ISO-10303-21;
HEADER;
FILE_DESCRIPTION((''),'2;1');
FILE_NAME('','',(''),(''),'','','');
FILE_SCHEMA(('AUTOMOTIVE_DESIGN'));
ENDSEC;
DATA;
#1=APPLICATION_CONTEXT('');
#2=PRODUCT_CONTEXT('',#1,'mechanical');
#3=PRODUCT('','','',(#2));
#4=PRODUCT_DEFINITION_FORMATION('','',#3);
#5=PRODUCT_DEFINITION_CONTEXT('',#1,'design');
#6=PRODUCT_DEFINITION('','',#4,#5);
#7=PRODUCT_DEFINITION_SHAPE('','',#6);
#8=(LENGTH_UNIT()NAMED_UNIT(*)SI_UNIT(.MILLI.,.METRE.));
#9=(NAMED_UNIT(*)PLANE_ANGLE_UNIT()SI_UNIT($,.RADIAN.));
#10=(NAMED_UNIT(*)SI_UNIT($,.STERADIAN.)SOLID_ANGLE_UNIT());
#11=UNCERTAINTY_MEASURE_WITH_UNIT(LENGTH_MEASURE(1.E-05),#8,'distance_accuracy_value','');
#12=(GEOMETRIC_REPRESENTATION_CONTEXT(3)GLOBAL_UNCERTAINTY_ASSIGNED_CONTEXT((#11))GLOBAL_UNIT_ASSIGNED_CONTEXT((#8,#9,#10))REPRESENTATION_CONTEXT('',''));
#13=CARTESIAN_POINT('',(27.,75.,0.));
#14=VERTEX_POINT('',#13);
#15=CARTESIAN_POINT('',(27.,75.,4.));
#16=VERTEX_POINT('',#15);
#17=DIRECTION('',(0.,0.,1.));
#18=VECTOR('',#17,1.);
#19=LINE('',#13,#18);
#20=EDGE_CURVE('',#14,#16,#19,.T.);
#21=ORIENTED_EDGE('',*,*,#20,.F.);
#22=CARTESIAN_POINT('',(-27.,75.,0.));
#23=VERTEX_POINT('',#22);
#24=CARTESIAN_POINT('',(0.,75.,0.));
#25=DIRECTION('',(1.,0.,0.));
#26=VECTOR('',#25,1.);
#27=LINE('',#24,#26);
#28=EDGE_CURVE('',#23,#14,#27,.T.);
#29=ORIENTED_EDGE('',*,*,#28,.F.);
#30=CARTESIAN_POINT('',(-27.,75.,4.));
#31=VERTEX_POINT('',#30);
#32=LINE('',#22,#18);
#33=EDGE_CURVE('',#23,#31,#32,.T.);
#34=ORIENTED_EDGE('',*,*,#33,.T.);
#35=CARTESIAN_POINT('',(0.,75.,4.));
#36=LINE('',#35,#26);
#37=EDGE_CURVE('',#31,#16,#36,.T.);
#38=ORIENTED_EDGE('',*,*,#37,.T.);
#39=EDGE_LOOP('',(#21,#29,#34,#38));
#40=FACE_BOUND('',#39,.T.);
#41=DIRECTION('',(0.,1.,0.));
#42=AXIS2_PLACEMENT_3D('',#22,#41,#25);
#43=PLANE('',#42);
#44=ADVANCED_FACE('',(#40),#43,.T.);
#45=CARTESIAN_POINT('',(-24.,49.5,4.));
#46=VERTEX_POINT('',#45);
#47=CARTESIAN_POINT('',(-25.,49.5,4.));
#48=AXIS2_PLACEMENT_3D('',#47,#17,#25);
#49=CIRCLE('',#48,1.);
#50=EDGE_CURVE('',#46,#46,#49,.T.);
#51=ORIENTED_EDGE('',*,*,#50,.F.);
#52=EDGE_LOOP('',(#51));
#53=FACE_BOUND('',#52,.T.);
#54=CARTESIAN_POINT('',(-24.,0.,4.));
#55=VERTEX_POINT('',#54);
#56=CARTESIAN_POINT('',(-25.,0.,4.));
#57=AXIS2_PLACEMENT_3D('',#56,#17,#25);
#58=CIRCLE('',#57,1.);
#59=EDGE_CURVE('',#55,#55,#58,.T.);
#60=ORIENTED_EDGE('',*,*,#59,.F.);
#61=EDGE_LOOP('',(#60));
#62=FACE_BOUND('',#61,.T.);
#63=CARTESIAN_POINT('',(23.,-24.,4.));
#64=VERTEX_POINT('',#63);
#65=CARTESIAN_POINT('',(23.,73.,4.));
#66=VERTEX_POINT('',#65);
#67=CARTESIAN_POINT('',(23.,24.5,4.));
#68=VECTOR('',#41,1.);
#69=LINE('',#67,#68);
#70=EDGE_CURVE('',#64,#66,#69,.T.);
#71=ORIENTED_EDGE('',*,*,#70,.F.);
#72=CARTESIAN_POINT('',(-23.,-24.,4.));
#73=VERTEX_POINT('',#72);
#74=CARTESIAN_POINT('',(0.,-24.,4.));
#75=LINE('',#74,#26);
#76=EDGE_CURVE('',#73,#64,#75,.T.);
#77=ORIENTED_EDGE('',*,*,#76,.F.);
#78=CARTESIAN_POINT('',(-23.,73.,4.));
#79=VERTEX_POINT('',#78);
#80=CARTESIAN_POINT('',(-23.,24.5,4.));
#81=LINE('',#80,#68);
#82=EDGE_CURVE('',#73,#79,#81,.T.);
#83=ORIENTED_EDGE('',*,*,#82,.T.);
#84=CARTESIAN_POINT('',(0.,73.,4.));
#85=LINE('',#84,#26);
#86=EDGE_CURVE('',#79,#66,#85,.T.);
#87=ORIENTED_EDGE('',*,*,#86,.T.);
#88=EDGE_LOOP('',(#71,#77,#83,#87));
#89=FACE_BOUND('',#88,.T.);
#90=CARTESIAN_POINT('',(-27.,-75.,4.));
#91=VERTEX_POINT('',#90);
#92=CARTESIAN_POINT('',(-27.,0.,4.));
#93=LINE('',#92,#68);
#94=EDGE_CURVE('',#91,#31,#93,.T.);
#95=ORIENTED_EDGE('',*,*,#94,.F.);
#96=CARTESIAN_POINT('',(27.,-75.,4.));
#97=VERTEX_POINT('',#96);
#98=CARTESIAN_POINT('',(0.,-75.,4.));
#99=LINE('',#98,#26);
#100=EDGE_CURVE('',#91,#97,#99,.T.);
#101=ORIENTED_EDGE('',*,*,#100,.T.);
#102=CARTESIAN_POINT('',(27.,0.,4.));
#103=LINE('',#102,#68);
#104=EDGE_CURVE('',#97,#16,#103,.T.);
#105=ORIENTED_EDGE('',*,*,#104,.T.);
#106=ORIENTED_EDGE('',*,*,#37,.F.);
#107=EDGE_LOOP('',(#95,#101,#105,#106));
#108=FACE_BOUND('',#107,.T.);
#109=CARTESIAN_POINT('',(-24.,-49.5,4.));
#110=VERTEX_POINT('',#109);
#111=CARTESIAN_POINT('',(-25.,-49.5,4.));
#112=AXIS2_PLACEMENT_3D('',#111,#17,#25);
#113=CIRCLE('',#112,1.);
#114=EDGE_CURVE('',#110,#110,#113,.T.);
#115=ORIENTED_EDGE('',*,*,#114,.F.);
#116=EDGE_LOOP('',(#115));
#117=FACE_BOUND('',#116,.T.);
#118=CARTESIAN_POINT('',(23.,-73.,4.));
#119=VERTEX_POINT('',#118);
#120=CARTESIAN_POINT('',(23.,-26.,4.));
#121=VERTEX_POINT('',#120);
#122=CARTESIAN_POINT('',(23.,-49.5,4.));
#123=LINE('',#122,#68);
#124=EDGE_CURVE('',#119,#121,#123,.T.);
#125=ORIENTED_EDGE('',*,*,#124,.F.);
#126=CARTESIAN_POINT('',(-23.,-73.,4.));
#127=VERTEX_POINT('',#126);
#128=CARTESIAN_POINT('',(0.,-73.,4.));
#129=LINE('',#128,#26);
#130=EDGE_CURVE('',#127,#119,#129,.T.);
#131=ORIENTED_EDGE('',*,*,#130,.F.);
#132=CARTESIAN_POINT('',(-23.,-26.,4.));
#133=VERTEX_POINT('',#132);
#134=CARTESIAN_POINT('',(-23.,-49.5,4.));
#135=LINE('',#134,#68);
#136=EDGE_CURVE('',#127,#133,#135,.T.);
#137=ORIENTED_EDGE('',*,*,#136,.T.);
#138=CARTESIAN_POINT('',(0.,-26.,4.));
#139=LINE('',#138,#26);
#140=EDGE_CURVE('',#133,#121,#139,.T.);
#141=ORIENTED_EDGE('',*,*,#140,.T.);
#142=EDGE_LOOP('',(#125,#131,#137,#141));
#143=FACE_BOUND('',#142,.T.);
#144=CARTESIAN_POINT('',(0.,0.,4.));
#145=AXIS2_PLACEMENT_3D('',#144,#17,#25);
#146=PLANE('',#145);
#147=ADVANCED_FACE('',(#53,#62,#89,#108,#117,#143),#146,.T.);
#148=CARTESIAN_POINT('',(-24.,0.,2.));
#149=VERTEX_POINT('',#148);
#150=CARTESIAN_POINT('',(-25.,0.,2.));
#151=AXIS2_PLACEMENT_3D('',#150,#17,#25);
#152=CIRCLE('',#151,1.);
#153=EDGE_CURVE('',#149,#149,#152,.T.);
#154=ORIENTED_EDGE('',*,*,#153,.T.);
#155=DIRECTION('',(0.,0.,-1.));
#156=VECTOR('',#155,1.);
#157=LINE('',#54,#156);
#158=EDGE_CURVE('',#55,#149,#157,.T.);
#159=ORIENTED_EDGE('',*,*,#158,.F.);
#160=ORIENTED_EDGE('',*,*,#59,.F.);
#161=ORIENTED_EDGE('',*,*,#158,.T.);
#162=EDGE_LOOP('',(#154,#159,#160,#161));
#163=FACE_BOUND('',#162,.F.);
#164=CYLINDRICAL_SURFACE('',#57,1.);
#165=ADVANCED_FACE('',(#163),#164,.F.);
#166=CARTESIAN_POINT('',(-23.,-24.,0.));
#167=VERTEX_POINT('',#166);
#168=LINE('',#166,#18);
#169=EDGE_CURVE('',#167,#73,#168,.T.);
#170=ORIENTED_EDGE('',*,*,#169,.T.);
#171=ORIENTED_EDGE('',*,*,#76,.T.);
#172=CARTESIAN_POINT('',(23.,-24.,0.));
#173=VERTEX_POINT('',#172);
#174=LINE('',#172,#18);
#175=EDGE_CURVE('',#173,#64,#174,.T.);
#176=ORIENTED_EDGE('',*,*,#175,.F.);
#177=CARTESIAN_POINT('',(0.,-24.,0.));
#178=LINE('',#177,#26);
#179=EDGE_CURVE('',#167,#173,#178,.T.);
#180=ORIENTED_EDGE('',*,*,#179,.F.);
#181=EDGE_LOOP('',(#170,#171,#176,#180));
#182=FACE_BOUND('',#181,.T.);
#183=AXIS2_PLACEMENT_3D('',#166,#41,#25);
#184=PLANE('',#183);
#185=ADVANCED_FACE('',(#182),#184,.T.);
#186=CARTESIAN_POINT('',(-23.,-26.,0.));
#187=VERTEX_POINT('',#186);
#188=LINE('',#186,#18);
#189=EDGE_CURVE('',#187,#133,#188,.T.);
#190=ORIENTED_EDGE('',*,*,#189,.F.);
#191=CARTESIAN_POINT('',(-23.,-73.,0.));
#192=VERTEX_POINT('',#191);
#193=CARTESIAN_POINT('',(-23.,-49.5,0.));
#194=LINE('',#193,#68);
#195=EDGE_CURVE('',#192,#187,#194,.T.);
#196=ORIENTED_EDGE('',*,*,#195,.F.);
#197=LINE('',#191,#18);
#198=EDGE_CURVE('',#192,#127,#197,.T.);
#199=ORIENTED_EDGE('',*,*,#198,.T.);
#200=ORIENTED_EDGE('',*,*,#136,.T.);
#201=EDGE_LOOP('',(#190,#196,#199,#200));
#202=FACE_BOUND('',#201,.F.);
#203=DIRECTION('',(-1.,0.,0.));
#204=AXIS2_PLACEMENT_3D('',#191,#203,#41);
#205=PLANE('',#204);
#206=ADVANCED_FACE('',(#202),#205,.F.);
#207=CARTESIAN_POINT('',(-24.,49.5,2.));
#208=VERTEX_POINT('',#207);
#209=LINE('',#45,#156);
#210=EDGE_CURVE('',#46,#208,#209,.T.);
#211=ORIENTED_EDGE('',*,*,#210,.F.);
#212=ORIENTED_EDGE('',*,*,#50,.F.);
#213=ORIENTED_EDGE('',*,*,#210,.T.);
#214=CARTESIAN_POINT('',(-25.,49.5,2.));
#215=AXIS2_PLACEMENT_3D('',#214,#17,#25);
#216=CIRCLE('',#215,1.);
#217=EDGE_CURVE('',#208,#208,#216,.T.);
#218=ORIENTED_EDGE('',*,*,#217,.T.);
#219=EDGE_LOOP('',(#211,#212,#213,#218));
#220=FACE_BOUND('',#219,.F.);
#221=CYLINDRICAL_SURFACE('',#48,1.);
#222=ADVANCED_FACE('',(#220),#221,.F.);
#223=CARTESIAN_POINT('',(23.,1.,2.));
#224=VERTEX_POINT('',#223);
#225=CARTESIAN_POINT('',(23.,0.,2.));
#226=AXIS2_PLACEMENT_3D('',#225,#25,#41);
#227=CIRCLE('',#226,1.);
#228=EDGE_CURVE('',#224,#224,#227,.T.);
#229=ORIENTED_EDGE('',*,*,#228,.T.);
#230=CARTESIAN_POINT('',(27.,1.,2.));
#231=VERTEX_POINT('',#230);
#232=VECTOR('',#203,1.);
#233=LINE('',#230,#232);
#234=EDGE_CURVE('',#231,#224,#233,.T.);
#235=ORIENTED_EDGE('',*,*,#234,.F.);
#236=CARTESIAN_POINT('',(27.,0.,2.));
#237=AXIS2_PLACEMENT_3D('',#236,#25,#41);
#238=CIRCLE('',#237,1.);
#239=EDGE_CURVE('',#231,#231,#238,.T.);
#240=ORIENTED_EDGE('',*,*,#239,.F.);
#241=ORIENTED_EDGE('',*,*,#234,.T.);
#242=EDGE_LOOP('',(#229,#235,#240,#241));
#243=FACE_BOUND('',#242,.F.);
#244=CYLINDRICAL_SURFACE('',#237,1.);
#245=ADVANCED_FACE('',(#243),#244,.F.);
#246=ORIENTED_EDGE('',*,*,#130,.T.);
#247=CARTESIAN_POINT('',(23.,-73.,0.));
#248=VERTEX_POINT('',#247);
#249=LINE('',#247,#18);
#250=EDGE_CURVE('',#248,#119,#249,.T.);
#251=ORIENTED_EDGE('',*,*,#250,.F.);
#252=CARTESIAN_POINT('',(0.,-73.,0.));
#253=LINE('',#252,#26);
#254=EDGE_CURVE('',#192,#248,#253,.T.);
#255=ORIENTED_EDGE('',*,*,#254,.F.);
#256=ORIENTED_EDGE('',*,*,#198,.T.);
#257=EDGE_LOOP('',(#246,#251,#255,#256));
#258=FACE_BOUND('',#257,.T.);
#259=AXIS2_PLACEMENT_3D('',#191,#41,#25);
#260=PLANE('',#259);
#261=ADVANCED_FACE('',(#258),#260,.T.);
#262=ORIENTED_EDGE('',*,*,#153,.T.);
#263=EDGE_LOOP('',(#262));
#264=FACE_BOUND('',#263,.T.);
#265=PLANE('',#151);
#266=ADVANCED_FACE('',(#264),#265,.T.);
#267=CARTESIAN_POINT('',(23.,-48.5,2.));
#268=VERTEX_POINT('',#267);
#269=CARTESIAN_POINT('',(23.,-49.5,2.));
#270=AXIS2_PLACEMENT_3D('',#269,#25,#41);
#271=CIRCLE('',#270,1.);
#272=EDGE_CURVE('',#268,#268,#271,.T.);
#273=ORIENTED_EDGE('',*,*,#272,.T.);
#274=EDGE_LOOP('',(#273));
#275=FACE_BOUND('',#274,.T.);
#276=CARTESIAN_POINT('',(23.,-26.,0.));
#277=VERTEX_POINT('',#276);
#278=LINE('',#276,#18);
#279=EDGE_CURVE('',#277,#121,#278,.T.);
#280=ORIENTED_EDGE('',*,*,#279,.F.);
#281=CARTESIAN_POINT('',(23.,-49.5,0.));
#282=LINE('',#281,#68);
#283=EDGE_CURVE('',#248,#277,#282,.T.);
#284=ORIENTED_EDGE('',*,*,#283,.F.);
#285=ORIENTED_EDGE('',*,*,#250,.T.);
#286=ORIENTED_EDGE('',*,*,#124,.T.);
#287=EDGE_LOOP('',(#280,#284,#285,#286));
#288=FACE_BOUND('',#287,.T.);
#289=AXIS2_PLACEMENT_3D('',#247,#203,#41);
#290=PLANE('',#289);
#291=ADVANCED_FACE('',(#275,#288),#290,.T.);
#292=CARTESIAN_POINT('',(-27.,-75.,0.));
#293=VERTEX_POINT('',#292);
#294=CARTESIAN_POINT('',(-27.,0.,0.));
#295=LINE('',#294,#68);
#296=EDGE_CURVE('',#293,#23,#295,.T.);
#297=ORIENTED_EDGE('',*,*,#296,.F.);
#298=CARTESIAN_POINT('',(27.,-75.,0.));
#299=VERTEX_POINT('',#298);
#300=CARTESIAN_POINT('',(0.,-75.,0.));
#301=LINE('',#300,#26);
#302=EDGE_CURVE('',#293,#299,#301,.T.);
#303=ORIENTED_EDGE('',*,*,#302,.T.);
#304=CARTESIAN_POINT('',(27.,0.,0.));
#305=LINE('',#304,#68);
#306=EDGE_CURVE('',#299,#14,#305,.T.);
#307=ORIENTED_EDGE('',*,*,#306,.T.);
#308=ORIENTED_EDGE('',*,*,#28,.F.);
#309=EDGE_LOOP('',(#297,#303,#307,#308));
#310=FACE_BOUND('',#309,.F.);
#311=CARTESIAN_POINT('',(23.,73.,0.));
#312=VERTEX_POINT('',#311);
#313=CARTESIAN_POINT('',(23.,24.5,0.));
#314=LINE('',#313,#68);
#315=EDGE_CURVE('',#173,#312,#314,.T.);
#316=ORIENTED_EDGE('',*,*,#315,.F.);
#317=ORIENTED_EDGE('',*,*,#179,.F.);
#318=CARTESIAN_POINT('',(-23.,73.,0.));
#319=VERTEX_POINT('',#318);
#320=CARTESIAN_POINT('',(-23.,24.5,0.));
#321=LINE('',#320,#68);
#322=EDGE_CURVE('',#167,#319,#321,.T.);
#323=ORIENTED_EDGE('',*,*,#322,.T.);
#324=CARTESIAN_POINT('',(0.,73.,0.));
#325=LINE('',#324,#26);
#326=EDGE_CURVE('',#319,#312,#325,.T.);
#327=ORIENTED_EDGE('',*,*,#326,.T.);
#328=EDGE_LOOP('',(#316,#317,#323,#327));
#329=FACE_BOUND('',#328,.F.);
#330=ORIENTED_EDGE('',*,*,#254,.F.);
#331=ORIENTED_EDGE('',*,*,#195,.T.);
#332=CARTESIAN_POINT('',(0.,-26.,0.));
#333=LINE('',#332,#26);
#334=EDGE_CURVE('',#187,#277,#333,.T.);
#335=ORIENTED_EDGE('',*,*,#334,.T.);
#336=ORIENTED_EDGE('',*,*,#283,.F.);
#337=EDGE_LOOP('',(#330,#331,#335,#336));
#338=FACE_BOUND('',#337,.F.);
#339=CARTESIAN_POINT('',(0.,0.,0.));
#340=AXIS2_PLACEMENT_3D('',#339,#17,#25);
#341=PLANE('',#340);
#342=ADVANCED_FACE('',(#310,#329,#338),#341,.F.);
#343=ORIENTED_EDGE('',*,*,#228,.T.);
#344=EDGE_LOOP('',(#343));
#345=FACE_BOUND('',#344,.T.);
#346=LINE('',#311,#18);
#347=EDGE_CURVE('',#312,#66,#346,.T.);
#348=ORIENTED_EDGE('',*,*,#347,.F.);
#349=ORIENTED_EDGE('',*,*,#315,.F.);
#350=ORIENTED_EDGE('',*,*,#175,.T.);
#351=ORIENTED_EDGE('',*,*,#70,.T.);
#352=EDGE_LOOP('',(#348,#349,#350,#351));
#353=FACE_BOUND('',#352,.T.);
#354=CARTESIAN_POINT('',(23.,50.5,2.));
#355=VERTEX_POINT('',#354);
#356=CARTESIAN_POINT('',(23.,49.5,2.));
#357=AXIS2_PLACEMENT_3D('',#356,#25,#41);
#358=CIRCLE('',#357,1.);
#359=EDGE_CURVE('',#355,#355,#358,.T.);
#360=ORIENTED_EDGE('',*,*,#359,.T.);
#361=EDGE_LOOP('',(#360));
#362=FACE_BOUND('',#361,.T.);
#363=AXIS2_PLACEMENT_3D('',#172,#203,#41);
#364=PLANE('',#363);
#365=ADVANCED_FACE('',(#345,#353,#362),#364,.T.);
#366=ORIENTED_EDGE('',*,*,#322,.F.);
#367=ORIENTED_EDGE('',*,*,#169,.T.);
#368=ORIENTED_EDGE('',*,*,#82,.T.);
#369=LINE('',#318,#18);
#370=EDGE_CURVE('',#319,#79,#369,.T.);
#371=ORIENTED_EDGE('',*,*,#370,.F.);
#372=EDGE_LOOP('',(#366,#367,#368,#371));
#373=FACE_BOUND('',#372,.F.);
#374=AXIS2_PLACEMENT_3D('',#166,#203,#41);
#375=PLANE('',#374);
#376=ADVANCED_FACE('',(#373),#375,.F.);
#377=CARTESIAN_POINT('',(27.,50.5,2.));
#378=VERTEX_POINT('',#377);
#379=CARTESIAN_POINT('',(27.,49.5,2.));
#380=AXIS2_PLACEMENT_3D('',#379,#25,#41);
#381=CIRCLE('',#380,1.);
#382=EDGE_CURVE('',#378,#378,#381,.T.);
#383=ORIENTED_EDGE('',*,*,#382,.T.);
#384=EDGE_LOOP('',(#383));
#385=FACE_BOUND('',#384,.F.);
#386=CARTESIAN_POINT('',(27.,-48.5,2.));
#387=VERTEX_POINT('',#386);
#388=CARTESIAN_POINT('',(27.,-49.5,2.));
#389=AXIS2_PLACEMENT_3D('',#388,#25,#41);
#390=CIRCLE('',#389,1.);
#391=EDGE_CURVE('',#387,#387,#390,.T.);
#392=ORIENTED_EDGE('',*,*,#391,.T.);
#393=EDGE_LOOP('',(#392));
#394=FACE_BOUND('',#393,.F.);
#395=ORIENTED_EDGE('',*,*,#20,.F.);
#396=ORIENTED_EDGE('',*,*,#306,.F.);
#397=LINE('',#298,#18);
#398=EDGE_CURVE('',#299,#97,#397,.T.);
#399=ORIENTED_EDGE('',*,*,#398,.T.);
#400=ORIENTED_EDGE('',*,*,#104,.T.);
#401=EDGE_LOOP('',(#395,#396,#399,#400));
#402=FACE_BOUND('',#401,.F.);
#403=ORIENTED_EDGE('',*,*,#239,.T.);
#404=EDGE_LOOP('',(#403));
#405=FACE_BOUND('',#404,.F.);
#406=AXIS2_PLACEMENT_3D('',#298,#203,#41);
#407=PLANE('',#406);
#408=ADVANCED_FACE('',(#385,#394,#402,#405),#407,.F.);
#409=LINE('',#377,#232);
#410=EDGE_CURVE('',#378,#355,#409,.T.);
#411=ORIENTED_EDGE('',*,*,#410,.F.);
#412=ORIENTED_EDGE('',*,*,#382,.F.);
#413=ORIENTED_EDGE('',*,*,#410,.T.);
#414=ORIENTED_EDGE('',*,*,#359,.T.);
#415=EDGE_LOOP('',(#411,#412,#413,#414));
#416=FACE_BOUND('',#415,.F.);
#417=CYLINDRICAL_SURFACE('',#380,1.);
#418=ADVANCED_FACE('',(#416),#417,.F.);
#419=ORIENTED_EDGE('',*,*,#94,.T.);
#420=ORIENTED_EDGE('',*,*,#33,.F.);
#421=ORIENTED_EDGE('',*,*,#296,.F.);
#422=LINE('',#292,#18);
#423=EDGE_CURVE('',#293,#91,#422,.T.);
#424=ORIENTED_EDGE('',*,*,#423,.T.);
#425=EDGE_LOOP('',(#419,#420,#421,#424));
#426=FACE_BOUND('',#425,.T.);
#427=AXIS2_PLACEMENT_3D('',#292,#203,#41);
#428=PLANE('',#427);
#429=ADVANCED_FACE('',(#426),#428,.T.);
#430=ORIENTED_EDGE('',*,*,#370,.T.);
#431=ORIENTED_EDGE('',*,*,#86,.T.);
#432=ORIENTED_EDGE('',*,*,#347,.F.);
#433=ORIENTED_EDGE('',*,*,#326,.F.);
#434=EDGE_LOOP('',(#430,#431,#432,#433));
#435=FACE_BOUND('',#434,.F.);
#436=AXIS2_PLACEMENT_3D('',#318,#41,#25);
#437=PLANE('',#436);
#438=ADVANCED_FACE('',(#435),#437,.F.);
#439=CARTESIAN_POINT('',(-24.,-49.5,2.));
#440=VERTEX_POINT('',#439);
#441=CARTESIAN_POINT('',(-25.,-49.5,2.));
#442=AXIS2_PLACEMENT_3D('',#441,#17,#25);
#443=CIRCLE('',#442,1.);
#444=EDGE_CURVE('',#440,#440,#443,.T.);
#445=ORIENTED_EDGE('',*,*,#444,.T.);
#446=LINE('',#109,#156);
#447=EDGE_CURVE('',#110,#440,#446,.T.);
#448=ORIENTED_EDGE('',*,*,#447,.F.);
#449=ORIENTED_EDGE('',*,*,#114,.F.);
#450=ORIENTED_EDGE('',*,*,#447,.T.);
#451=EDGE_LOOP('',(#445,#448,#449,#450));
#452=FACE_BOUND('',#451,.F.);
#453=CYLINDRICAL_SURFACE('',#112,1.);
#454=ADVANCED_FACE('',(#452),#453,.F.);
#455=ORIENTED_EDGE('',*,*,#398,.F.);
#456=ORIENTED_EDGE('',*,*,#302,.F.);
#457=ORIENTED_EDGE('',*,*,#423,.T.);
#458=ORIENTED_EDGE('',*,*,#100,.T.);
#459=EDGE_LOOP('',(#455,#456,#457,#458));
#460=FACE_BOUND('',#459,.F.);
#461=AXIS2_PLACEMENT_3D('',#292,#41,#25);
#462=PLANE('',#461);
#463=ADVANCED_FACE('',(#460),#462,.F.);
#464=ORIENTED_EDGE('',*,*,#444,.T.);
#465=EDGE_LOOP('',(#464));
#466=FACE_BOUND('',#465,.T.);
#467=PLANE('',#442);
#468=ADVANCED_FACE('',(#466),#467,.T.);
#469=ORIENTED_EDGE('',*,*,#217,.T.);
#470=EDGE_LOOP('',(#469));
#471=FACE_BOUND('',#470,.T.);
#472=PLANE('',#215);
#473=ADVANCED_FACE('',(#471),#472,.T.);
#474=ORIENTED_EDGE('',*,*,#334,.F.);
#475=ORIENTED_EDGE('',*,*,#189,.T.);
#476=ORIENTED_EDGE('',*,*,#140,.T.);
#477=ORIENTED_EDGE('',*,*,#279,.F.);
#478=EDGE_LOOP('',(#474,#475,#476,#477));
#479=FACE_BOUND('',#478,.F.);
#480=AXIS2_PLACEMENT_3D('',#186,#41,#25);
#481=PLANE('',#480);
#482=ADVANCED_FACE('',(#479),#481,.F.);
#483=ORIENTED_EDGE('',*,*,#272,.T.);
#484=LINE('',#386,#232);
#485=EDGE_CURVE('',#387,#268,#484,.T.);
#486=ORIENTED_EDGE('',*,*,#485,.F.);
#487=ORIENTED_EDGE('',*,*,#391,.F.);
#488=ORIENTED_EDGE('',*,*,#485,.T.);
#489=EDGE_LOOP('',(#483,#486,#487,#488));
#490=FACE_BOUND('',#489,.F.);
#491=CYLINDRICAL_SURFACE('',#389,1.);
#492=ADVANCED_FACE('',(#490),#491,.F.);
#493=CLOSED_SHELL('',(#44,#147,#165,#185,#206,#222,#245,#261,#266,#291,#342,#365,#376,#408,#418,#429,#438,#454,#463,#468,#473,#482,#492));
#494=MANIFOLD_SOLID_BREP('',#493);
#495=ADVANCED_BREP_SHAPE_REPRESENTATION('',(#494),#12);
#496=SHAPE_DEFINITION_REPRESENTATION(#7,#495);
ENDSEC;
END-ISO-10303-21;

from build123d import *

# Parameters (mm, degrees)
F0_W     = 54
F0_H     = 150
F0_W_2   = 46
F0_H_2   = 47
F0_H_3   = 97
F1_DEPTH = 4
F2_R     = 1
F3_DEPTH = 25
F4_R     = 1
F5_DEPTH = 2


with BuildPart() as f1:
    # F0 (on Top) → F1 (new body)
    with BuildSketch(Plane.XY):
        Rectangle(F0_W, F0_H)
        with Locations((0, -49.5)):
            Rectangle(F0_W_2, F0_H_2, mode=Mode.SUBTRACT)
        with Locations((0, 24.5)):
            Rectangle(F0_W_2, F0_H_3, mode=Mode.SUBTRACT)
    extrude(amount=F1_DEPTH)

    # F2 (on face) → F3 (cut)
    with BuildSketch(Plane.YZ.offset(27)):
        with Locations((-49.5, 2)):
            Circle(F2_R)
        with Locations((0, 2)):
            Circle(F2_R)
        with Locations((49.5, 2)):
            Circle(F2_R)
    extrude(amount=-F3_DEPTH, mode=Mode.SUBTRACT)

    # F4 (on face) → F5 (cut)
    with BuildSketch(Plane.XY.offset(4)):
        with Locations((-25, -49.5)):
            Circle(F4_R)
        with Locations((-25, 0)):
            Circle(F4_R)
        with Locations((-25, 49.5)):
            Circle(F4_R)
    extrude(amount=-F5_DEPTH, mode=Mode.SUBTRACT)


solid = f1.part
